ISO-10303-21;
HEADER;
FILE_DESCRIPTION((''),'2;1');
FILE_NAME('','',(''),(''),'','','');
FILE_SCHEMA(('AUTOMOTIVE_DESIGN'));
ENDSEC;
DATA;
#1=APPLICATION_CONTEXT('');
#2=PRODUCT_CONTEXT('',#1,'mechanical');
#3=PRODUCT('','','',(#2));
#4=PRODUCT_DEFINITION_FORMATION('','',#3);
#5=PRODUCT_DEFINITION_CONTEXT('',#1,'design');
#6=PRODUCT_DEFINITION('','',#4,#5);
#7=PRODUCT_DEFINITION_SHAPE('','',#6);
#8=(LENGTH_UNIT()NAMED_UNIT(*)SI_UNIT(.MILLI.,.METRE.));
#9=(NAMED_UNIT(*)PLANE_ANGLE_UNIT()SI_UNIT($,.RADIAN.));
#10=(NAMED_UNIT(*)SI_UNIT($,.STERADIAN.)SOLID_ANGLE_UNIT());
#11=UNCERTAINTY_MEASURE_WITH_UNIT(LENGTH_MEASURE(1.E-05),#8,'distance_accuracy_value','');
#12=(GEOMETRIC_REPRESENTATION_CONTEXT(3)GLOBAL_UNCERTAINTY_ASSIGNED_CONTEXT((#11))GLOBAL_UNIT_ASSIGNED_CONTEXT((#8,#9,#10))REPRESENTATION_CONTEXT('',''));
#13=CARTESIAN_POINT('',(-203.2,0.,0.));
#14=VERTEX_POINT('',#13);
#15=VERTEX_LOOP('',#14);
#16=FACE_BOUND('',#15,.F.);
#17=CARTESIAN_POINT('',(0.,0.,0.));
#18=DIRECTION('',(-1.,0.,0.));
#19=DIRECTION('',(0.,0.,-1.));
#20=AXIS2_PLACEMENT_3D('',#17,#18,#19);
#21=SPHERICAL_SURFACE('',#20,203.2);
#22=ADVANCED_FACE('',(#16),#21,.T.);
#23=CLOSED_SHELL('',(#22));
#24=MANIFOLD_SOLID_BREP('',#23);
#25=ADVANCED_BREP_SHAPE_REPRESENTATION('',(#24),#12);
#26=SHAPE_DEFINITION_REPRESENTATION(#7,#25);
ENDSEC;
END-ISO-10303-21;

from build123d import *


with BuildPart() as part:
    # Sketch2 → Revolve3 (revolve)
    with BuildSketch(Plane(origin=(0, 0, 0), x_dir=(1, 0, 0), z_dir=(0, 1, 0))):
        with BuildLine():
            Line((-203.2, 0), (203.2, 0))
            ThreePointArc((203.2, 0), (0, 203.2), (-203.2, 0))
        make_face()
    revolve(axis=Axis((-203.2, 0, 0), (1, 0, 0)))


solid = part.part
